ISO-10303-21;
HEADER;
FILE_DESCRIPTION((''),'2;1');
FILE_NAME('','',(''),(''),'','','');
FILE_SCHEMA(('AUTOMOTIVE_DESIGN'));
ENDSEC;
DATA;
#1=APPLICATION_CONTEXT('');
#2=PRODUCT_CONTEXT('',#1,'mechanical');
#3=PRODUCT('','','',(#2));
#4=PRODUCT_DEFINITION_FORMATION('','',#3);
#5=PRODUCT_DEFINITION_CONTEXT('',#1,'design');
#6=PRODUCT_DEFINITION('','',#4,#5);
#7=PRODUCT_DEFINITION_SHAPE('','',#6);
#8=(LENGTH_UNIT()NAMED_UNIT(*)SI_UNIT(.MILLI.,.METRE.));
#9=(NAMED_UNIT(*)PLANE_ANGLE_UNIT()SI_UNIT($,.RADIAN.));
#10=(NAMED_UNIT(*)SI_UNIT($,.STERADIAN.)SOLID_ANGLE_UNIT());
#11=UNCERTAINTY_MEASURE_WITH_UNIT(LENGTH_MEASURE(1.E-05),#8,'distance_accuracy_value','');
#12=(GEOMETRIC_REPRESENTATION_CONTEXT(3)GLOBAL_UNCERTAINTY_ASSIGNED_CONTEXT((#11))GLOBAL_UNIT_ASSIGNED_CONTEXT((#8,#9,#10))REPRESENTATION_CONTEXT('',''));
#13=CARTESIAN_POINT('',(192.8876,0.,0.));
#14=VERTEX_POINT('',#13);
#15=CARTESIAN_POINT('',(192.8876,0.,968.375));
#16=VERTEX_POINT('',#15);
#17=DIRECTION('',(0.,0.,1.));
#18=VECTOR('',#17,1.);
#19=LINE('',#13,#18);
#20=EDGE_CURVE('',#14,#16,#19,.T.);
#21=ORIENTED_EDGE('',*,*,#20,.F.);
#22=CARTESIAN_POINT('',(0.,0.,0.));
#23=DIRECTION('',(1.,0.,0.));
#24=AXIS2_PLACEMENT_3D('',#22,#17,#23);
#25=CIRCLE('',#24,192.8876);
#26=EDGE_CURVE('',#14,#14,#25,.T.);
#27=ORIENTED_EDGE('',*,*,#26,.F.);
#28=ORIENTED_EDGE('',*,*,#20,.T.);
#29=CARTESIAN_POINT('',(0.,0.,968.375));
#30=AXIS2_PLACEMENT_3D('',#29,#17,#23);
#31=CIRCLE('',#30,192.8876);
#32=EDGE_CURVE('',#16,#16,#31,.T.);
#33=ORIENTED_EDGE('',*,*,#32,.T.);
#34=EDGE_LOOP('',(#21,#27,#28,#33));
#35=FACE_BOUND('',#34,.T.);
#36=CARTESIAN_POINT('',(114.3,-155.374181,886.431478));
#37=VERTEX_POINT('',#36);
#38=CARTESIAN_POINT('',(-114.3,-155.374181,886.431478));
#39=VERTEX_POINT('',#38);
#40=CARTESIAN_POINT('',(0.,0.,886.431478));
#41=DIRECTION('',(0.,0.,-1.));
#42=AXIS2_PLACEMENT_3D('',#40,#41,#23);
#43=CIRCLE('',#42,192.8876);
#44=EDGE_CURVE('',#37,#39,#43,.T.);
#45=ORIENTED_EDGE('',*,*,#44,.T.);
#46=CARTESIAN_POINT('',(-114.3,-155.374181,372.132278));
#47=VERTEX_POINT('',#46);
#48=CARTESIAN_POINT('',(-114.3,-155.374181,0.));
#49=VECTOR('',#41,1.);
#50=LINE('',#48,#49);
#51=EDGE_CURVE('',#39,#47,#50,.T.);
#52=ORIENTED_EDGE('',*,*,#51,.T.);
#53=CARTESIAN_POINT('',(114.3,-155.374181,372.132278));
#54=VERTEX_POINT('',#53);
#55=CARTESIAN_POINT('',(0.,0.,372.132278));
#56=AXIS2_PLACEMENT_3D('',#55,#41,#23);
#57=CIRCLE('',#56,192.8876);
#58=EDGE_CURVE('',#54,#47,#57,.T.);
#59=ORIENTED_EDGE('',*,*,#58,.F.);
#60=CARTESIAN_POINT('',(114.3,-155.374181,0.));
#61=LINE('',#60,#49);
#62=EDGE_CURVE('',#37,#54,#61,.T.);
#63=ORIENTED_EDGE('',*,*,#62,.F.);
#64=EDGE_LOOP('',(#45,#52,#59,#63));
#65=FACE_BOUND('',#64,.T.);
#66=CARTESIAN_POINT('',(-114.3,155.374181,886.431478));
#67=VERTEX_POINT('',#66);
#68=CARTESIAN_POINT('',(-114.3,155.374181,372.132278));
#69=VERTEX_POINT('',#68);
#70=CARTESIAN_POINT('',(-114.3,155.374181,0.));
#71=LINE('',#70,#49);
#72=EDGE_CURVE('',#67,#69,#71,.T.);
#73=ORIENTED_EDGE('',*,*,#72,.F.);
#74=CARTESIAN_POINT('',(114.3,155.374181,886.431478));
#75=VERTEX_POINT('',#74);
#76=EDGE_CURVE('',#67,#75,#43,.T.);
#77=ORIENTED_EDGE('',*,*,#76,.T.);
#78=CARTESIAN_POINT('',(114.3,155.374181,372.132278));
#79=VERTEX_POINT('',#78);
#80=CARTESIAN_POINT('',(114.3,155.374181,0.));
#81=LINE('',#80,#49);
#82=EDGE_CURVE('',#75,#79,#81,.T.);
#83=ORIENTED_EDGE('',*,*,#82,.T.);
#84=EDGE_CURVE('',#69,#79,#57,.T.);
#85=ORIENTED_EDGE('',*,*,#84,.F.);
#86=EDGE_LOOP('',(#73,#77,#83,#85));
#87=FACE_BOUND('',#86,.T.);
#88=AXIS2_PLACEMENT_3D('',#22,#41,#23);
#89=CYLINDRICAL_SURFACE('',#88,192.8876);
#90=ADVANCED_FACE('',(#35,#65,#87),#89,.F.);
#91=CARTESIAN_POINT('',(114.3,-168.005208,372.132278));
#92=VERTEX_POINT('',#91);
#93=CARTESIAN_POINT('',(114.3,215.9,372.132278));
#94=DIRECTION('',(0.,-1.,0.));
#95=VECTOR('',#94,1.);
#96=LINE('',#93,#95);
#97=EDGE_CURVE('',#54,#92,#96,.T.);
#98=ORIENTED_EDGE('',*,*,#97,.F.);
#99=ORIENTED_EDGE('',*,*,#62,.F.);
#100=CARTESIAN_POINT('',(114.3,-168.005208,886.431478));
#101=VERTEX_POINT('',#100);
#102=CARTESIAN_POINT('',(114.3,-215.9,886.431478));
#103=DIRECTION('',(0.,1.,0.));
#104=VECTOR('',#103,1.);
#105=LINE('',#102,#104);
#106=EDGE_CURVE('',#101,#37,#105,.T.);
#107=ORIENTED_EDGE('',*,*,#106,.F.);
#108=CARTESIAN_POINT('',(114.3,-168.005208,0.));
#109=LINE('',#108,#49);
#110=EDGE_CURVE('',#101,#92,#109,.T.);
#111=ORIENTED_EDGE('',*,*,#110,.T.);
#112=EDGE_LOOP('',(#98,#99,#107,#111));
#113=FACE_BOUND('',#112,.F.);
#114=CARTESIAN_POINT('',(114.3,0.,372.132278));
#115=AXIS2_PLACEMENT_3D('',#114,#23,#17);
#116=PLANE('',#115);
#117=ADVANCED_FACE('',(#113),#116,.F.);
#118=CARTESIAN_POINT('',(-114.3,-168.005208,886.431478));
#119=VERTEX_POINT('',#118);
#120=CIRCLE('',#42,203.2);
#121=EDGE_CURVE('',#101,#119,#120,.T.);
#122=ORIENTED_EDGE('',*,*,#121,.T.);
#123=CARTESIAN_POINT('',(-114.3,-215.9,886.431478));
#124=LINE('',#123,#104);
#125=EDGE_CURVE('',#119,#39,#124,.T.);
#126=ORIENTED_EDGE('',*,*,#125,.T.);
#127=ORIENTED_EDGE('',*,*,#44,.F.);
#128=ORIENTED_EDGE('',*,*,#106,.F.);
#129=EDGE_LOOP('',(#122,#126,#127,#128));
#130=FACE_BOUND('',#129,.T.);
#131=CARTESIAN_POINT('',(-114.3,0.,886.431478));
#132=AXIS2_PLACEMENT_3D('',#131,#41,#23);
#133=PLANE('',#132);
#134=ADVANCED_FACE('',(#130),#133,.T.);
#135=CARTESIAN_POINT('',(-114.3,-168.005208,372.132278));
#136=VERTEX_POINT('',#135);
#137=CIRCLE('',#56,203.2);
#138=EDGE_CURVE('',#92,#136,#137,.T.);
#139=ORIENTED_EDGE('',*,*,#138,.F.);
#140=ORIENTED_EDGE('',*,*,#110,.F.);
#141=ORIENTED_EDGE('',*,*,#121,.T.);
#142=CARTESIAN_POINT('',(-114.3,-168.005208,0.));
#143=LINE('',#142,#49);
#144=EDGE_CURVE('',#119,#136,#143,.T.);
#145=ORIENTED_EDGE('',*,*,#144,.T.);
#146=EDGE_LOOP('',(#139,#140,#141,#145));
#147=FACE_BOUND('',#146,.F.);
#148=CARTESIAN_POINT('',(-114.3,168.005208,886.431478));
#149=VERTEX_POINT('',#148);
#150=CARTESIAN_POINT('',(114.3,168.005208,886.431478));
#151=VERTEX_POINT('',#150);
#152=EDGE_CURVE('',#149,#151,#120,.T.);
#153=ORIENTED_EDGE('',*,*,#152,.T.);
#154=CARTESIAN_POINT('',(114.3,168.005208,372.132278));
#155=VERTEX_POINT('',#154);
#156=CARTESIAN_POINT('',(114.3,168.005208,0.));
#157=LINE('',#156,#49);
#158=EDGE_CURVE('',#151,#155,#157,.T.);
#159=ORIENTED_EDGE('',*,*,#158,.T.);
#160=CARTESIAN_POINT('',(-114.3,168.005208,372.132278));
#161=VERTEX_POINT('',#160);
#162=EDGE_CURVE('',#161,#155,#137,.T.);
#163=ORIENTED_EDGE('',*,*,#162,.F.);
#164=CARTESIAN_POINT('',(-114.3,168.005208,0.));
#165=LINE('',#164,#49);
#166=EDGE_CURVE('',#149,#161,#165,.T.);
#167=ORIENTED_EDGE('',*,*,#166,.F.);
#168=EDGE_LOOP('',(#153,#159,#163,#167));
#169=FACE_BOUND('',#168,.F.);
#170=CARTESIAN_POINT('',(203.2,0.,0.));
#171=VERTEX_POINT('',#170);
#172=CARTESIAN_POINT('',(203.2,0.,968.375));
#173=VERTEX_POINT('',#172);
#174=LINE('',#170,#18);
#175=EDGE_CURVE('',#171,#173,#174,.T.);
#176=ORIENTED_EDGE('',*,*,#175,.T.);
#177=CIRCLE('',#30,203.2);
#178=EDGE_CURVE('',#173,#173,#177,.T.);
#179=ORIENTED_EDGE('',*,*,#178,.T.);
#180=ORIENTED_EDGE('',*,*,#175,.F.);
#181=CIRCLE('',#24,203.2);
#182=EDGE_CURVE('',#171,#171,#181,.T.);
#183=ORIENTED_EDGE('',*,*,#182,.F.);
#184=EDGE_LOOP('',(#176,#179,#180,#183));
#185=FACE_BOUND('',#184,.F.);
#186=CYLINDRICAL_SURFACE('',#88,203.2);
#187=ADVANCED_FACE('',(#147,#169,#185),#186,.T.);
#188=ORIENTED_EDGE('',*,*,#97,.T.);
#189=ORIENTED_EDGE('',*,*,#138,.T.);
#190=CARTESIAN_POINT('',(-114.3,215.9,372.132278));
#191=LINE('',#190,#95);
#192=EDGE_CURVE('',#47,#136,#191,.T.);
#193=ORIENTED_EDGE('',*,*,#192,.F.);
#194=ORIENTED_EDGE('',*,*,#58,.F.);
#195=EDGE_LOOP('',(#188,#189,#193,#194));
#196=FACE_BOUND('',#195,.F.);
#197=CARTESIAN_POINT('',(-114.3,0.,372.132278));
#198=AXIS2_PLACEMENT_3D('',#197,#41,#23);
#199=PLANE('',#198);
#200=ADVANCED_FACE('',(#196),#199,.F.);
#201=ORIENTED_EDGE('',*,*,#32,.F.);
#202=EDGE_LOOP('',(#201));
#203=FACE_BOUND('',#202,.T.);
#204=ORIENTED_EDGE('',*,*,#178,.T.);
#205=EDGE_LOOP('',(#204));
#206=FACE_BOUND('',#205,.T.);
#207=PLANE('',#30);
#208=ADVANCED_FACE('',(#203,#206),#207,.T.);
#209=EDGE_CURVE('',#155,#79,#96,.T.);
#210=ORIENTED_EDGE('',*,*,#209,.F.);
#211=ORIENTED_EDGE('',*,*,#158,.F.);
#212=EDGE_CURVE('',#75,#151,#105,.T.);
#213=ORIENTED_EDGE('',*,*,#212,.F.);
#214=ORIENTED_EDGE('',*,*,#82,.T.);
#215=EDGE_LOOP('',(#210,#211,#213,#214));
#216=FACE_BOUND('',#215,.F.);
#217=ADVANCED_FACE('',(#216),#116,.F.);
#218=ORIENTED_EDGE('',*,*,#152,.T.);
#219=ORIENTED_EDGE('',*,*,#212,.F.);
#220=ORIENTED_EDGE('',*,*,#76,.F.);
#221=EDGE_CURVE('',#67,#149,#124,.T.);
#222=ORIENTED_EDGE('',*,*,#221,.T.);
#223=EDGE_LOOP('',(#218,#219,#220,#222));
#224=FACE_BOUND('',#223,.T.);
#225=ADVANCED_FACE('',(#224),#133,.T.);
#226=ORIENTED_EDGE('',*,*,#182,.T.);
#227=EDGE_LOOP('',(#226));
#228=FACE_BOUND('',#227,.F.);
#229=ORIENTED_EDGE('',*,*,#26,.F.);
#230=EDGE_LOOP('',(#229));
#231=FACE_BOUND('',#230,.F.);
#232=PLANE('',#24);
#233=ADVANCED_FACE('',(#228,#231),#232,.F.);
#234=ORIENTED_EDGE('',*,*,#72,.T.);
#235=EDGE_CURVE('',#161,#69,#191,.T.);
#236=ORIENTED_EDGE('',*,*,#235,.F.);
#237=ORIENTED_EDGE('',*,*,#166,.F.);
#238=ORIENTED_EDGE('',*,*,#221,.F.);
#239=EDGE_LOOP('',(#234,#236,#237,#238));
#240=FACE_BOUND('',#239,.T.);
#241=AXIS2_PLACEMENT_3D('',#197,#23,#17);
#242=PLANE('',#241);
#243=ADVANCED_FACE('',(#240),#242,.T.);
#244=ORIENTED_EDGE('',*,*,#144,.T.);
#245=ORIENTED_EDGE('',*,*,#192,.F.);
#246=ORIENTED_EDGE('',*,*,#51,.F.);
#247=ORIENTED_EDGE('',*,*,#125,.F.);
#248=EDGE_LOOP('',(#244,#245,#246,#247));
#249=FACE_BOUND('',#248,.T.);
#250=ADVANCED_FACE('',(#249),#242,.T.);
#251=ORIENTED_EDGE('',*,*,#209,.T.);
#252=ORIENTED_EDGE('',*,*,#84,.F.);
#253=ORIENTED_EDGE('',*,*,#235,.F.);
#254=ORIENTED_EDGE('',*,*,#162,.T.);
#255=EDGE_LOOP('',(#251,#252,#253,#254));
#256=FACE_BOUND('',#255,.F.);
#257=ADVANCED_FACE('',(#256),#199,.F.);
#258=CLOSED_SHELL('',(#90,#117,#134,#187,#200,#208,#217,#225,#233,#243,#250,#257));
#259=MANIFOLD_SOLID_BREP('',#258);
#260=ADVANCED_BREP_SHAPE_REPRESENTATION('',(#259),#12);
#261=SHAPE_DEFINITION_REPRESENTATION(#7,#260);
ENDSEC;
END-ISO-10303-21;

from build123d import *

# Parameters (mm, degrees)
F0_R     = 203.2
F0_R_2   = 192.8876
F1_DEPTH = 968.375
F2_W     = 228.6
F2_H     = 514.2992
F3_DEPTH = 215.9


with BuildPart() as f1:
    # F0 (on Top) → F1 (new body)
    with BuildSketch(Plane.XY):
        Circle(F0_R)
        Circle(F0_R_2, mode=Mode.SUBTRACT)
    extrude(amount=F1_DEPTH)

    # F2 (on Front) → F3 (cut, symmetric)
    with BuildSketch(Plane.XZ):
        with Locations((0, 629.2818784714)):
            Rectangle(F2_W, F2_H)
    extrude(amount=F3_DEPTH, both=True, mode=Mode.SUBTRACT)


solid = f1.part
